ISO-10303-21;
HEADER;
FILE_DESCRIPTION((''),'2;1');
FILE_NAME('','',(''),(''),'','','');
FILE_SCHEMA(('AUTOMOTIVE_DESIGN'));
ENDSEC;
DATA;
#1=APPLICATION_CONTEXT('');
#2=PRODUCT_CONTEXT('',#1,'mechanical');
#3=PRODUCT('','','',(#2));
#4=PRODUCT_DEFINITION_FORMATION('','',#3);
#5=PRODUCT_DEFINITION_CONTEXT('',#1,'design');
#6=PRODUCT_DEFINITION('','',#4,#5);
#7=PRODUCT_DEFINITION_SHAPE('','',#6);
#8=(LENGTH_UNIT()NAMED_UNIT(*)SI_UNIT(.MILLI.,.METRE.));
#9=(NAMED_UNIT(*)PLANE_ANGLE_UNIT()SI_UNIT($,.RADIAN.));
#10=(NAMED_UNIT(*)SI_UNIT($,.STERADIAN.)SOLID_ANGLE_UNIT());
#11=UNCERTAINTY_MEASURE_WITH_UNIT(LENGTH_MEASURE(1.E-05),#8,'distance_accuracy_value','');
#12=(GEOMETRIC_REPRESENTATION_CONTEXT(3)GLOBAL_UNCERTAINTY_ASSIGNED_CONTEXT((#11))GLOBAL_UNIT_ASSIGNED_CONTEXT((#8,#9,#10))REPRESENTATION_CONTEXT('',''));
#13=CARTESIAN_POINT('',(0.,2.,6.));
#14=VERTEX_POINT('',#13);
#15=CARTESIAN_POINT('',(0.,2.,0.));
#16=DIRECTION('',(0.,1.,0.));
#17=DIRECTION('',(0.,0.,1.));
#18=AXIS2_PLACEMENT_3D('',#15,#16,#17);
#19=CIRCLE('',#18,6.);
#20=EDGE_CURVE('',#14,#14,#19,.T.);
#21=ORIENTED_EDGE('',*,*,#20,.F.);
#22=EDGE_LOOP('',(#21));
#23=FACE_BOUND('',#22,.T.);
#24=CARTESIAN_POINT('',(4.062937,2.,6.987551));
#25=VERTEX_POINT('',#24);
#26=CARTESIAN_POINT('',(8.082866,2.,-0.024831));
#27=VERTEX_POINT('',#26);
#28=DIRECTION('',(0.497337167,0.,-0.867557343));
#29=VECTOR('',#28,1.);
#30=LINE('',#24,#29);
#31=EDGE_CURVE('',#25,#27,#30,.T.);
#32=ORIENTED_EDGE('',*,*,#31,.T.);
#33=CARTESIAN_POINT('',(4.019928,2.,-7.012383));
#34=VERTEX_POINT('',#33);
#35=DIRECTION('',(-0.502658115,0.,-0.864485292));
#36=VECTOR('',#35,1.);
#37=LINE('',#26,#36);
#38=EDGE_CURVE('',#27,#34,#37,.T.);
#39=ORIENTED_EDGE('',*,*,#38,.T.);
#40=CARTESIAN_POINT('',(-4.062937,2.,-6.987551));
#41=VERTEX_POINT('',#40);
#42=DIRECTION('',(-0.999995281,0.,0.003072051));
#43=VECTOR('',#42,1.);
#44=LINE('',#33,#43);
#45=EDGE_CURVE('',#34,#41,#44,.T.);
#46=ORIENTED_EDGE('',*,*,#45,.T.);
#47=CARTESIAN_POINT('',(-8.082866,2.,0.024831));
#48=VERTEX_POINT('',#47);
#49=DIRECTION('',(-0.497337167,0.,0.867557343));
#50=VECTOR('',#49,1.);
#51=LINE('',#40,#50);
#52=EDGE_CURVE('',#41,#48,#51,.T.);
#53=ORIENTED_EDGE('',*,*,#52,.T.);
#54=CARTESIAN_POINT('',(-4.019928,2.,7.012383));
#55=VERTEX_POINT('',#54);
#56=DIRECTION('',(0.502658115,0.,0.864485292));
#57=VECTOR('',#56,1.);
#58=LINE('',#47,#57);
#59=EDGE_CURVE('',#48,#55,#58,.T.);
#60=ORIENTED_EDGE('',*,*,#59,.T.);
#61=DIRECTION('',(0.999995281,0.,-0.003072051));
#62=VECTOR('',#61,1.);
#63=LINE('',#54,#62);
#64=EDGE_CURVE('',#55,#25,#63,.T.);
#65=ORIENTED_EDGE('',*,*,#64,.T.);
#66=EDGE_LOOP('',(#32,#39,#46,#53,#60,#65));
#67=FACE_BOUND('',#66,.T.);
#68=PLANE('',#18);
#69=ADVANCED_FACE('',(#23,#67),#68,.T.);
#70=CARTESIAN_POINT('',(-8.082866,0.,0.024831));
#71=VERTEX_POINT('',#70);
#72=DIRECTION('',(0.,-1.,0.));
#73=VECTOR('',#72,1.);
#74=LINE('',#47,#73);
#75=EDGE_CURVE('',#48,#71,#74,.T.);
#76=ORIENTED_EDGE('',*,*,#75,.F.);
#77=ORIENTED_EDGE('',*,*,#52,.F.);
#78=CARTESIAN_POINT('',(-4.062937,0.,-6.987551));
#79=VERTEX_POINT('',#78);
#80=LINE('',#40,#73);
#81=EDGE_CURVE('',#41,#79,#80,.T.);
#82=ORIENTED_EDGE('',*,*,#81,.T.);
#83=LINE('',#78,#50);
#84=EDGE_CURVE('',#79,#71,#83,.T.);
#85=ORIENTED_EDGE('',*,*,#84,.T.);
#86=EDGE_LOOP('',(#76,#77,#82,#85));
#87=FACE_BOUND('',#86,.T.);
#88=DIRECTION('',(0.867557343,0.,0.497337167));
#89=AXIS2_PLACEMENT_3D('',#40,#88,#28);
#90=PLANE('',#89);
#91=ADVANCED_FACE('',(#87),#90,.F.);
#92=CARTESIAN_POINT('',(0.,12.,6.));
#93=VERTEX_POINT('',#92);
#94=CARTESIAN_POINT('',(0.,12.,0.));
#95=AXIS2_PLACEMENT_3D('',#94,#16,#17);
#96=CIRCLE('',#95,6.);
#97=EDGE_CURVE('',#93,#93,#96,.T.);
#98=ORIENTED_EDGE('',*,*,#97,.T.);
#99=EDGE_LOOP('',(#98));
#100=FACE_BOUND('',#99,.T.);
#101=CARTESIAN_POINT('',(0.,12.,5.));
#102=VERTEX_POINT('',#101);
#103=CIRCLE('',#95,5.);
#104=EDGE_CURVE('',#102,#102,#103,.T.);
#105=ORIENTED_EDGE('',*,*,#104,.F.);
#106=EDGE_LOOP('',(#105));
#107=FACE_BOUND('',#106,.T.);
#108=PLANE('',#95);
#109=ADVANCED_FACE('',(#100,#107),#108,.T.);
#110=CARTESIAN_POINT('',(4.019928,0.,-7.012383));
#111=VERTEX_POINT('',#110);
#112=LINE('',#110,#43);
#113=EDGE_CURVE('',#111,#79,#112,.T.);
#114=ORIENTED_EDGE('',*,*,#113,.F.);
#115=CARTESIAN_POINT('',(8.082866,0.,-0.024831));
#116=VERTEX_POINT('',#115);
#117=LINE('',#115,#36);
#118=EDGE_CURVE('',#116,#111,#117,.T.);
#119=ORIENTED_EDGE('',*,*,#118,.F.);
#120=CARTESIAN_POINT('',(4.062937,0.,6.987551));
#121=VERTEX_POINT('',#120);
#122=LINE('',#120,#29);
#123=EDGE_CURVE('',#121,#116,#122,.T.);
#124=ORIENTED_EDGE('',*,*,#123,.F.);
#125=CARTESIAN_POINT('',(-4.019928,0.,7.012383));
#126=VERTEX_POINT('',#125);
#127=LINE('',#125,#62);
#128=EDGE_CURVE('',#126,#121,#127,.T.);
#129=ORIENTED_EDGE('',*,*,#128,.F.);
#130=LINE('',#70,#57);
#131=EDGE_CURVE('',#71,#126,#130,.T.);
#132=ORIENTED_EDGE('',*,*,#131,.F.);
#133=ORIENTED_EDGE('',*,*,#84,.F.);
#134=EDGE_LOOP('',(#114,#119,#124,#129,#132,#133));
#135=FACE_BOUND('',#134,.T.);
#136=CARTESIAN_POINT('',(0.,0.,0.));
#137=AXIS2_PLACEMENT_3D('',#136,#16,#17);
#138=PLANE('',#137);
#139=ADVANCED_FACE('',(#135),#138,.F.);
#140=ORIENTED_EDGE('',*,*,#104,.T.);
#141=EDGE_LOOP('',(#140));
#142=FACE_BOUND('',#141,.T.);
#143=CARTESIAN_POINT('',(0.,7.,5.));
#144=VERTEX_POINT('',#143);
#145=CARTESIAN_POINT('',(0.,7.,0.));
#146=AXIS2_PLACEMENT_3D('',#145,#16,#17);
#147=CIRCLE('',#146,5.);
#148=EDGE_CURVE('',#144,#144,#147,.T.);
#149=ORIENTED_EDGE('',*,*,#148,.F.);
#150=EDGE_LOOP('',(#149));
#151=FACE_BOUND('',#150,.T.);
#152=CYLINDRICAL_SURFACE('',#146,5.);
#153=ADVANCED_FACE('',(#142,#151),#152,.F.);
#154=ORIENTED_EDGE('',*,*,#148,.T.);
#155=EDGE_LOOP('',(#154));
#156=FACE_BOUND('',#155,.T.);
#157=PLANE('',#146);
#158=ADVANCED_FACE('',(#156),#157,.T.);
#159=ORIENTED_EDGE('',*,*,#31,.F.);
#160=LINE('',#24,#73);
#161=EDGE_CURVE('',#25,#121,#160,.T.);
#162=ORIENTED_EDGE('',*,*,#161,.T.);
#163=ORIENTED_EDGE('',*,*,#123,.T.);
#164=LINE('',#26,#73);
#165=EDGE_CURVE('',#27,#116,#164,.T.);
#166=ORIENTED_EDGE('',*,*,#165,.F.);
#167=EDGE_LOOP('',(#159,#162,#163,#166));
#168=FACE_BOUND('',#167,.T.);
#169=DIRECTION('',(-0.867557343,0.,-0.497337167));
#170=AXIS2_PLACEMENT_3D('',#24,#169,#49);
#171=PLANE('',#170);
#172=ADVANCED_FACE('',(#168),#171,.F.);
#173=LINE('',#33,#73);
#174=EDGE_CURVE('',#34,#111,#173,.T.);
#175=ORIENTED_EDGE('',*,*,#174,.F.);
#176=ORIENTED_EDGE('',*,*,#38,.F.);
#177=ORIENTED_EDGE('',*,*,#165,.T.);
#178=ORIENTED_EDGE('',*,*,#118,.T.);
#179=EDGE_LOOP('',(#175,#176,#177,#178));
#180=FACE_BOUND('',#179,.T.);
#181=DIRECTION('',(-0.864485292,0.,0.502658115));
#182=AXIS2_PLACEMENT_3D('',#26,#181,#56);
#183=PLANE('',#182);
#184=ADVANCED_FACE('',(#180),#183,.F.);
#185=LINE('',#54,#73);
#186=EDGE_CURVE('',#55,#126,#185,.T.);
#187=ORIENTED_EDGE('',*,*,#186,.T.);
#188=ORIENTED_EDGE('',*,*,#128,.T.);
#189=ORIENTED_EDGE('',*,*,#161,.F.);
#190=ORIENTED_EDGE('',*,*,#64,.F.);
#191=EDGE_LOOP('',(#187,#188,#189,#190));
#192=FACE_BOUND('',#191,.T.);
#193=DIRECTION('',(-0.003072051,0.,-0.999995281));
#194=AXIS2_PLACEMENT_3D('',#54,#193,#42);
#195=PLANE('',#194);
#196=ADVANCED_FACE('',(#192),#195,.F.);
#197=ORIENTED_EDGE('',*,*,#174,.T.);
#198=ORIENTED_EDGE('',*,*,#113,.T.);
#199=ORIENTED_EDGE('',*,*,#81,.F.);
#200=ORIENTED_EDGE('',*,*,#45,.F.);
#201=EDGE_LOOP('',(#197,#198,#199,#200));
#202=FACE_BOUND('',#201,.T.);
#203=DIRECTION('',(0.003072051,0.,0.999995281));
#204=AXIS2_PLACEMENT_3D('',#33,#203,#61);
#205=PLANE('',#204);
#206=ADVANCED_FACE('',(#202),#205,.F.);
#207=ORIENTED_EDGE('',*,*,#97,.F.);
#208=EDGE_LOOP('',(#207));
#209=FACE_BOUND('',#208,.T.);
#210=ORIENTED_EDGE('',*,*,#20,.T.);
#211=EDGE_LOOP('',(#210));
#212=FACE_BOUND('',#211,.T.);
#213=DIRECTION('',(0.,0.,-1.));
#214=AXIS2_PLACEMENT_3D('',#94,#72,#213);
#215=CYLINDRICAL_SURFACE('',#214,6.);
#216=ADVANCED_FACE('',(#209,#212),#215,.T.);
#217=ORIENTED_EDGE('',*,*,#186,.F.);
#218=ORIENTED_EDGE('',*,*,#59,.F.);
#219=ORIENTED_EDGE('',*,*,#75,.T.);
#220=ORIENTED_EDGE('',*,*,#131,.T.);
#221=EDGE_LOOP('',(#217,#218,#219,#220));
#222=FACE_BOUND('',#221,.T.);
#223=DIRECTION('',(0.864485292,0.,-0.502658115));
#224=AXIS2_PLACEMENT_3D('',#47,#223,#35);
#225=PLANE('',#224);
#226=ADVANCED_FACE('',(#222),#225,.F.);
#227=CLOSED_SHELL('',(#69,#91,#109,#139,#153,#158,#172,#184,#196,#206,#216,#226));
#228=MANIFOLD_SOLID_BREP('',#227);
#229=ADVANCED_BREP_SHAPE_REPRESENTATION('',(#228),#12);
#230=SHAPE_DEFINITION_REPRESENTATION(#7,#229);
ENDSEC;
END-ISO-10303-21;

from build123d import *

# Parameters (mm, degrees)
EXTRUDE_1_DEPTH     = 2
SKETCH_2_R          = 6
EXTRUDE_2_DEPTH     = 10
SKETCH_3_R          = 5
CUT_EXTRUDE_1_DEPTH = 5


with BuildPart() as part:
    # ｽｹｯﾁ1 → ﾎﾞｽ - 押し出し1 (new body)
    with BuildSketch(Plane(origin=(0, 0, 0), x_dir=(1, 0, 0), z_dir=(0, 1, 0))):
        Polygon((4.062937169, -6.987551424), (8.082865627, 0.02483109), (4.019928459, 7.012382514), (-4.062937169, 6.987551424), (-8.082865627, -0.02483109), (-4.019928459, -7.012382514), align=None)
    extrude(amount=EXTRUDE_1_DEPTH)

    # ｽｹｯﾁ2 → ﾎﾞｽ - 押し出し2 (add)
    with BuildSketch(Plane(origin=(0, 2, 0), x_dir=(1, 0, 0), z_dir=(0, 1, 0))):
        with Locations(Location((0, 0, 0), (0, 0, 270))):
            Circle(SKETCH_2_R)
    extrude(amount=EXTRUDE_2_DEPTH)

    # ｽｹｯﾁ3 → ｶｯﾄ - 押し出し1 (cut)
    with BuildSketch(Plane(origin=(0, 12, 0), x_dir=(1, 0, 0), z_dir=(0, 1, 0))):
        with Locations(Location((0, 0, 0), (0, 0, 270))):
            Circle(SKETCH_3_R)
    extrude(amount=-CUT_EXTRUDE_1_DEPTH, mode=Mode.SUBTRACT)


solid = part.part
